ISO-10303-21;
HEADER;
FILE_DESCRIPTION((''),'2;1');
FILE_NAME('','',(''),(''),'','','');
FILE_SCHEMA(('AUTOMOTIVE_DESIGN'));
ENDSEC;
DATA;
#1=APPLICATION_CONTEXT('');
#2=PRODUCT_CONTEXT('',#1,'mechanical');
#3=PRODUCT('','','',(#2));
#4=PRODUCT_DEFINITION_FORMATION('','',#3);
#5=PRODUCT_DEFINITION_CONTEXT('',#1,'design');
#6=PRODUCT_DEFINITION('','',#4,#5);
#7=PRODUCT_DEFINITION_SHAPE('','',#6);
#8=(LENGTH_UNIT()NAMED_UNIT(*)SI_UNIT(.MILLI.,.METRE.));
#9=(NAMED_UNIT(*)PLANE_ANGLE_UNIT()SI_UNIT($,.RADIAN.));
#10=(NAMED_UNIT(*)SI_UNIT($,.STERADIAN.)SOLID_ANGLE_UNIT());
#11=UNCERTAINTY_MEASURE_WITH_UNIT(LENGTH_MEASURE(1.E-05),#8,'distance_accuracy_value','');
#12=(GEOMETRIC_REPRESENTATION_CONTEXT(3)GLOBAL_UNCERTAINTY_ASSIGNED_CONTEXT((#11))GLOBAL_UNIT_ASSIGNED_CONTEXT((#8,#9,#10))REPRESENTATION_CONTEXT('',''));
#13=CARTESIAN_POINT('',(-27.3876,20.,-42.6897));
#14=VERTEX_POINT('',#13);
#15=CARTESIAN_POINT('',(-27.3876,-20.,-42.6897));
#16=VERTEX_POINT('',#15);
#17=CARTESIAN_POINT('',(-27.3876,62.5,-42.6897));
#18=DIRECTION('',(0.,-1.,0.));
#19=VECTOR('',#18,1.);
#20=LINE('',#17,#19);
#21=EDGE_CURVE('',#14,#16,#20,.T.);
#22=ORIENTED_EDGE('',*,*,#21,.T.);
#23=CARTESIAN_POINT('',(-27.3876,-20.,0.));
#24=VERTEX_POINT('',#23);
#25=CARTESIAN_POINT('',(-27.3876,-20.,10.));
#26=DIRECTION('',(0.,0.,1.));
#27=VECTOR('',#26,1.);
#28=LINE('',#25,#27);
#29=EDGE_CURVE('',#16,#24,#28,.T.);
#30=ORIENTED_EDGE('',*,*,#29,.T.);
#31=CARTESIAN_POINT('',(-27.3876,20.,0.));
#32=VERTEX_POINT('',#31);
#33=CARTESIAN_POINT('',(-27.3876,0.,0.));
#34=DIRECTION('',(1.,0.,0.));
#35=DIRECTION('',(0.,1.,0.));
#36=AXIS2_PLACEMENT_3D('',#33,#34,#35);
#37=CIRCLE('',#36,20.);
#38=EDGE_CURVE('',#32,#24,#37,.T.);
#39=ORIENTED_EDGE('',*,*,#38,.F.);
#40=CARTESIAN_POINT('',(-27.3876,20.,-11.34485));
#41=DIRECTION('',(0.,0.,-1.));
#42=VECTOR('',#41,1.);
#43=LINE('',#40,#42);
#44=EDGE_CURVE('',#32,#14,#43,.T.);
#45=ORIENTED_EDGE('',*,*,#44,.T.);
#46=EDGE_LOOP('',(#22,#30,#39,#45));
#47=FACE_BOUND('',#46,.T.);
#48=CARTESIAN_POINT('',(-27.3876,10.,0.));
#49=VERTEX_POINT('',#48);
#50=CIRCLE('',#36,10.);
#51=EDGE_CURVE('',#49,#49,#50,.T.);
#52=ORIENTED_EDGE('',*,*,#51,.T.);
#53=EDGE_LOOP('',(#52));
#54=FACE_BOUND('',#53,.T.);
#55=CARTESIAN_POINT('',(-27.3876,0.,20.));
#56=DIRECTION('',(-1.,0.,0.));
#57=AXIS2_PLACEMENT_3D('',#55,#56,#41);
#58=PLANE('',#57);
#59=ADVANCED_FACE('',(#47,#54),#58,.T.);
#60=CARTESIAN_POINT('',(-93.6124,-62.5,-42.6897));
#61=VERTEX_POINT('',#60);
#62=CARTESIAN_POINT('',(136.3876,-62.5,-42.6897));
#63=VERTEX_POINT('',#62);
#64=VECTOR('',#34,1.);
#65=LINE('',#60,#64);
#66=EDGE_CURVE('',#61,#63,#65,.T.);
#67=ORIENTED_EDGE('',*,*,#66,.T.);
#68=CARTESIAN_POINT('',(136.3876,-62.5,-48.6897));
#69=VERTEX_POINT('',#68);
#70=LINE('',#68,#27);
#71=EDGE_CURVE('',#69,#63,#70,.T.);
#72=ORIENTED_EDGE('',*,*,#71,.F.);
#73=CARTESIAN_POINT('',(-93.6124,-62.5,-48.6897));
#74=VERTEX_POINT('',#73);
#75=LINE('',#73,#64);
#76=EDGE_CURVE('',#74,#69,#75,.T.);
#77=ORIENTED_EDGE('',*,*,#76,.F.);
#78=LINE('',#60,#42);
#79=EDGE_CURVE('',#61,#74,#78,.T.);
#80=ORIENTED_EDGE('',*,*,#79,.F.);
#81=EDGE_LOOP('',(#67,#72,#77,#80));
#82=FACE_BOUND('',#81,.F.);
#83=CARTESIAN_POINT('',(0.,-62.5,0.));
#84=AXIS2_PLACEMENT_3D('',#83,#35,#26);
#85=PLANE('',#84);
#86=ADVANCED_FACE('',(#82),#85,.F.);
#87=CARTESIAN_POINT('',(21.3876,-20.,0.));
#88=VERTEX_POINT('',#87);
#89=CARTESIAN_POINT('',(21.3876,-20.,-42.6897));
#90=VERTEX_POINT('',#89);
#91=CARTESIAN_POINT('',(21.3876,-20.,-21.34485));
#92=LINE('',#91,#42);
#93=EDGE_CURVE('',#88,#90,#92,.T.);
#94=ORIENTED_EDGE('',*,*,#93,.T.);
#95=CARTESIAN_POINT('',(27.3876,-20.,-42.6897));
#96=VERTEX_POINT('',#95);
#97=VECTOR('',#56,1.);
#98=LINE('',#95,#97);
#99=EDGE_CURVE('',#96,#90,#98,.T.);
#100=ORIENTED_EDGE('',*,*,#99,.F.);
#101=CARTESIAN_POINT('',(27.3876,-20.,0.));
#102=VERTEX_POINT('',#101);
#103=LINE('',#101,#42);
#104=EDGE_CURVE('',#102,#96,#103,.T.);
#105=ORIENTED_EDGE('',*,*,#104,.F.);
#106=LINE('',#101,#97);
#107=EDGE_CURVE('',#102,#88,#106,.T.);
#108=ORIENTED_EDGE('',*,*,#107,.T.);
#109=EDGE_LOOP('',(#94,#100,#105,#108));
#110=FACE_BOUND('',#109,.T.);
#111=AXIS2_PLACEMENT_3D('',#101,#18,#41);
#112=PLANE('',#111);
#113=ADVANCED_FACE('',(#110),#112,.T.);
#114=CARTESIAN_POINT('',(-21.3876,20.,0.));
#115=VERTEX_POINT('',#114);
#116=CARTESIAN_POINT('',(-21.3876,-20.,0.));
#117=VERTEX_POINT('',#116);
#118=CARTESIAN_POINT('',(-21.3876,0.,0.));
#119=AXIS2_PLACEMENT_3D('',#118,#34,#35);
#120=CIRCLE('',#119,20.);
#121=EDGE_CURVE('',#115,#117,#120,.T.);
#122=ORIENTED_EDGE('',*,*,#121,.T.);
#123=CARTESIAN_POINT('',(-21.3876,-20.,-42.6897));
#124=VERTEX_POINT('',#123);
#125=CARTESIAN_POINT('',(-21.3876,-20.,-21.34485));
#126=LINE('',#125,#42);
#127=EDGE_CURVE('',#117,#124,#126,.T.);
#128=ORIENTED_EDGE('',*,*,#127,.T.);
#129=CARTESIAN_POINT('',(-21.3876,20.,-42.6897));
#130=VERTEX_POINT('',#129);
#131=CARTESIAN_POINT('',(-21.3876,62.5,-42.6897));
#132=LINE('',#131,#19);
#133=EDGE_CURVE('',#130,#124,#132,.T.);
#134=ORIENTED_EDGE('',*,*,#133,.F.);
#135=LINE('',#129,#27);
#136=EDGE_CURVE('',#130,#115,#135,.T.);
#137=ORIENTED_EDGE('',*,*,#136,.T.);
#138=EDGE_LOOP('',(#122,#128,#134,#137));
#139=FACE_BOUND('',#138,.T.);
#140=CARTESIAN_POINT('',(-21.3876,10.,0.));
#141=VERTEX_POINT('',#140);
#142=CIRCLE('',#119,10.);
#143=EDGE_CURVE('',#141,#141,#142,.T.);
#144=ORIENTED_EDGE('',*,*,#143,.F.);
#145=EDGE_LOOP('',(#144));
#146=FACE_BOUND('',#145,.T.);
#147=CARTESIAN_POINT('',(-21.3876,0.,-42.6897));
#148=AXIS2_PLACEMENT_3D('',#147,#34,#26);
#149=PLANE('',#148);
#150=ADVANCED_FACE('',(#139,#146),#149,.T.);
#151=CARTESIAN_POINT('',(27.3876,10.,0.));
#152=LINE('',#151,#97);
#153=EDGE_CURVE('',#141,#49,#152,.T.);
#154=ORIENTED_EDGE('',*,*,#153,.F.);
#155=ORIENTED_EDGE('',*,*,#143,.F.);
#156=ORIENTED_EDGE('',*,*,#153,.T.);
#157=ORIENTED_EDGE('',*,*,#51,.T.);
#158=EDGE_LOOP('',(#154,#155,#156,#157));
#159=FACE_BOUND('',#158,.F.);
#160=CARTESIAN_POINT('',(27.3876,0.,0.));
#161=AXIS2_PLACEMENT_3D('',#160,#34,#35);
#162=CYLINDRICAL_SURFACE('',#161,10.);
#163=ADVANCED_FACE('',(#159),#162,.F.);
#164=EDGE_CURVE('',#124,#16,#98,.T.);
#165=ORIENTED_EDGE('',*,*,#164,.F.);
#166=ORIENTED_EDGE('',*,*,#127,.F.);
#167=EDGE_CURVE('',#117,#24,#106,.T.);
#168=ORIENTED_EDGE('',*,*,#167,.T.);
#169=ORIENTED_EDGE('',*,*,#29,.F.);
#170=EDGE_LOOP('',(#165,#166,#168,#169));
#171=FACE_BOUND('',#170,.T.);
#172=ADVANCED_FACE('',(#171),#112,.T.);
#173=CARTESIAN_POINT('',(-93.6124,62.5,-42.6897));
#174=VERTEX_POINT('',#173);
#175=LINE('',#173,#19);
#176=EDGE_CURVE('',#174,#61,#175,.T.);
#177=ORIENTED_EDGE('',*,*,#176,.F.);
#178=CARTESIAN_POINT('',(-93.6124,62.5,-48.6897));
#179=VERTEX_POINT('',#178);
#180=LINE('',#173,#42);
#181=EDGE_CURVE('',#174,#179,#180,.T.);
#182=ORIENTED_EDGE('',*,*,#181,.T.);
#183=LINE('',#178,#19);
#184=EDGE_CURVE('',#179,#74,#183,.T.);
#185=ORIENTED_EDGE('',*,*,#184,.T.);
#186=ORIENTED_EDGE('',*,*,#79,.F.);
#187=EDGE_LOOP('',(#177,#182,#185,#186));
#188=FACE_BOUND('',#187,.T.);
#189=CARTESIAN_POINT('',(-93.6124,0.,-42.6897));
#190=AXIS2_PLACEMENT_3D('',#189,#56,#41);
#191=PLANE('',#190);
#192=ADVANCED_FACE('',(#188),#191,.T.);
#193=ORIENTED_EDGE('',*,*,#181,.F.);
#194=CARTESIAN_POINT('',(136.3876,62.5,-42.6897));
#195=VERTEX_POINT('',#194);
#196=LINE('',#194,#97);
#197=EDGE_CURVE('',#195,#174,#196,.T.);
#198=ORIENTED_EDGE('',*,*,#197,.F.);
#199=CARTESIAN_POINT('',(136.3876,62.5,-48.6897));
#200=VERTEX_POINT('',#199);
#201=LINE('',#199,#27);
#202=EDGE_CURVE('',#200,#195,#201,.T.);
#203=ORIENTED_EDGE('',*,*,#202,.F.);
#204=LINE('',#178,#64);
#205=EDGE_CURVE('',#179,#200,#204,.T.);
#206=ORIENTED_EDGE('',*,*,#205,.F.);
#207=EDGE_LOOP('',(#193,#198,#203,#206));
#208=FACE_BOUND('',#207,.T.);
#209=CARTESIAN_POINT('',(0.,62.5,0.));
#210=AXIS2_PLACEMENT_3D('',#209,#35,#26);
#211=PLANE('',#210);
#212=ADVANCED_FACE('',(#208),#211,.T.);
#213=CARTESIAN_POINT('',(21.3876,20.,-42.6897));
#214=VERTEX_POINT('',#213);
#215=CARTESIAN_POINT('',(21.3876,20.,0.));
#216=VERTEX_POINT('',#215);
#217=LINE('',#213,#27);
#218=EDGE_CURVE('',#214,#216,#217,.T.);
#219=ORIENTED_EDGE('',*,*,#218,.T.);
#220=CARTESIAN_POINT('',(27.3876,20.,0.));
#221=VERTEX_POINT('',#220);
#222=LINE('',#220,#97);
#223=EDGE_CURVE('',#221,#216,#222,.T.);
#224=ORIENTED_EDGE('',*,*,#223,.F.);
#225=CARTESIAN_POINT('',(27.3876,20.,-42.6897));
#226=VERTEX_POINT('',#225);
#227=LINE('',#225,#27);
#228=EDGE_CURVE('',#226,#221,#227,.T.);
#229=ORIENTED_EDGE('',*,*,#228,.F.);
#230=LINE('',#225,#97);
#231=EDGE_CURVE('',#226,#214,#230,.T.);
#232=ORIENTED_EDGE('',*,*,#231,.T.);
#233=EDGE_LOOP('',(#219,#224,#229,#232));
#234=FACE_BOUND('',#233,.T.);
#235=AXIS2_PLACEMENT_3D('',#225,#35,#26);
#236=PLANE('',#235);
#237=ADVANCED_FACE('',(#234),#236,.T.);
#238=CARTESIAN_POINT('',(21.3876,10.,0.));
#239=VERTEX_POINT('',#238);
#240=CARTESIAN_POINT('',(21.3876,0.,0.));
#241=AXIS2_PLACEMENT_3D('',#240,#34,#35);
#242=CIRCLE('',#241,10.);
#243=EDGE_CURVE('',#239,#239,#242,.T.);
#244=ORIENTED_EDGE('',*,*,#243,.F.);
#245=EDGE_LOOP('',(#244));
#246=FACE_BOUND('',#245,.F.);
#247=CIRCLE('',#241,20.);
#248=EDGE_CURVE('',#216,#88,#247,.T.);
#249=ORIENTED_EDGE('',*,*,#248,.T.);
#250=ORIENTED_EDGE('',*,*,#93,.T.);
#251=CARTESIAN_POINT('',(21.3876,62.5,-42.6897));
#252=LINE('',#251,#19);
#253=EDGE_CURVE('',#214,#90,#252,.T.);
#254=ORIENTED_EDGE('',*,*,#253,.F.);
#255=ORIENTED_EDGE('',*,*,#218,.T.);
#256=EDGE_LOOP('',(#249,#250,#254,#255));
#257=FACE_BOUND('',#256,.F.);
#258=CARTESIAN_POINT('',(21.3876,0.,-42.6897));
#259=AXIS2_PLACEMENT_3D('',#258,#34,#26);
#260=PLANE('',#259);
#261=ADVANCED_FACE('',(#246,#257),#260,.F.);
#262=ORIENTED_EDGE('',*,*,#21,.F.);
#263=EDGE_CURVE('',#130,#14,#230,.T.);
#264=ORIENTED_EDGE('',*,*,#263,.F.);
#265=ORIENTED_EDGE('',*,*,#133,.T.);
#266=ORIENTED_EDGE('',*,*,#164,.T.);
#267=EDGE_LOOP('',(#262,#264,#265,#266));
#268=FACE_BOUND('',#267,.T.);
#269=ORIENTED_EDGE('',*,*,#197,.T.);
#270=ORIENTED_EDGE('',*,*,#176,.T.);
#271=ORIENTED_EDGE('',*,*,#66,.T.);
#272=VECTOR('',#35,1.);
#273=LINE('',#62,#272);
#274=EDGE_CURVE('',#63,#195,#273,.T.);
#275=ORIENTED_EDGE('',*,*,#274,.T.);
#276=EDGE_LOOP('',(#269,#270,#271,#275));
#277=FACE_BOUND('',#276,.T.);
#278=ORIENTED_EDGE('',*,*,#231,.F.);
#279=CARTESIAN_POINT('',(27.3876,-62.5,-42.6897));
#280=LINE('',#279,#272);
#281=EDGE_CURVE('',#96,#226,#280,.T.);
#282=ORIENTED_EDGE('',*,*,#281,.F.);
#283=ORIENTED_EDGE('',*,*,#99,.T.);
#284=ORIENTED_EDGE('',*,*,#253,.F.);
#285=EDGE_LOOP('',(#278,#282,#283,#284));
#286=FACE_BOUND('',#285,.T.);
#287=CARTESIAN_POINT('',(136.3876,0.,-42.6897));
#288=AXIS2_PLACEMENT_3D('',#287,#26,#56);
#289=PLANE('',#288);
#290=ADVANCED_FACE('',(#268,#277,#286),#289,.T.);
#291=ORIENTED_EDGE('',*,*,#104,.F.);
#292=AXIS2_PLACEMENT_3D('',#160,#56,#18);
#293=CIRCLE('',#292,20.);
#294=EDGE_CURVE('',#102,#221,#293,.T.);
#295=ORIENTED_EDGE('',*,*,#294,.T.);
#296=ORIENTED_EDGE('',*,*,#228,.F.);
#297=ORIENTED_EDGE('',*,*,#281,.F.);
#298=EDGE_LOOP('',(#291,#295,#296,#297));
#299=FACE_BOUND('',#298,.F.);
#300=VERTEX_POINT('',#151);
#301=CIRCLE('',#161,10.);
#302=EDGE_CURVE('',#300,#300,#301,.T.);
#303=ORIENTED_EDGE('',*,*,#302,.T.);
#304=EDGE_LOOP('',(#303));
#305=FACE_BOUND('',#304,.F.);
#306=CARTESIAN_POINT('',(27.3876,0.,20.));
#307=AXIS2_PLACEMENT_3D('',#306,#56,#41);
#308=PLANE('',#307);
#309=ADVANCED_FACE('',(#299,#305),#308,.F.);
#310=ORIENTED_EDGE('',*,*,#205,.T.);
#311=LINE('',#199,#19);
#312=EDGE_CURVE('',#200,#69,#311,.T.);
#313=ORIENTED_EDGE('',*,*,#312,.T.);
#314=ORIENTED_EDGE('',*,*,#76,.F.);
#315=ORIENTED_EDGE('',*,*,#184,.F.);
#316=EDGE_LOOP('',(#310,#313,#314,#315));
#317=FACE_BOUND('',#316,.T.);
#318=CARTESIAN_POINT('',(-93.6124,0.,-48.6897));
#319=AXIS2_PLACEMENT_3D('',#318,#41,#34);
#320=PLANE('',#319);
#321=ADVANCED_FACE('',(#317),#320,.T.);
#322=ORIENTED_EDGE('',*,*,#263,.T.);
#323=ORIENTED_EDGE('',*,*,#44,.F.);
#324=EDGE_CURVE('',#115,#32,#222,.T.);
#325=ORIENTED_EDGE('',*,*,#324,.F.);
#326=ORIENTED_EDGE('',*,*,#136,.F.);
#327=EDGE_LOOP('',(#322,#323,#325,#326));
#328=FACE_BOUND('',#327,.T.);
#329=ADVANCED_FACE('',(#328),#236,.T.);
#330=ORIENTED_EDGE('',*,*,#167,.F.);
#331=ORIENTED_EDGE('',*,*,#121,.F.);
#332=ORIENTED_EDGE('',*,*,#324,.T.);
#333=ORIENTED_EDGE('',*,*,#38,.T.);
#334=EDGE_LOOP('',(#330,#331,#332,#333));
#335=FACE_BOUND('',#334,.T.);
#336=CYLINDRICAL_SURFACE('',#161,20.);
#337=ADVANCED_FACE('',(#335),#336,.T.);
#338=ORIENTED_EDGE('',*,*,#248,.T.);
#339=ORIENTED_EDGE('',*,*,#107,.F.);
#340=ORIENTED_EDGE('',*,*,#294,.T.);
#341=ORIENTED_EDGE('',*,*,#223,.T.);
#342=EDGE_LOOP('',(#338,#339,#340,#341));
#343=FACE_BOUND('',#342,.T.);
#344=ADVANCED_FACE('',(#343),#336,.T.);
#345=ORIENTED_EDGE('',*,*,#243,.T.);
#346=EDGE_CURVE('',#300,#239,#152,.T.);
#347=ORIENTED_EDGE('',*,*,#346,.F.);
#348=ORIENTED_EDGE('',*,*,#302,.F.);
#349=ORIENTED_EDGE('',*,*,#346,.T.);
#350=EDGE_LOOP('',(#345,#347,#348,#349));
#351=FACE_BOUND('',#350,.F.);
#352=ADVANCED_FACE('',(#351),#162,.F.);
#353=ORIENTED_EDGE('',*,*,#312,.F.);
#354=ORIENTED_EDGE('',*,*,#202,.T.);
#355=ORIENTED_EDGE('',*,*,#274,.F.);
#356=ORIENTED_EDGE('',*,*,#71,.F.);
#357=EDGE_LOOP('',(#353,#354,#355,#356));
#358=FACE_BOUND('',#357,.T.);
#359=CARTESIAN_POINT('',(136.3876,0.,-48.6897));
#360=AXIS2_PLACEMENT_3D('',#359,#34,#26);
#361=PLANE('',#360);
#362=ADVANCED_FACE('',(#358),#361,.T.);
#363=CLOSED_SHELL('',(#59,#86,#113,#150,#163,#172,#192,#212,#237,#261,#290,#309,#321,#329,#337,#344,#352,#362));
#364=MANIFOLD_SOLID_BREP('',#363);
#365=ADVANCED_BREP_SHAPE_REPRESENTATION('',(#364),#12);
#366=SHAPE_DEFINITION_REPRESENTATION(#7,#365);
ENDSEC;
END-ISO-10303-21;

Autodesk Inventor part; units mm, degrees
ref_plane "YZ Plane" through (0, 0, 0) normal (1, 0, 0) x (0, 1, 0)
ref_plane "XZ Plane" through (0, 0, 0) normal (0, 1, 0) x (-1, 0, 0)
ref_plane "XY Plane" through (0, 0, 0) normal (0, 0, 1) x (1, 0, 0)
sketch "Sketch2" plane through (0, 0, 0) normal (1, 0, 0) x (0, 1, 0)
  line L0 (20, 27.3876) -> (-42.6897, 27.3876)
  line L1 (-42.6897, 21.3876) -> (20, 21.3876)
  line L2 (20, 21.3876) -> (20, 27.3876)
  line L3 (-42.6897, -21.3876) -> (20, -21.3876)
  line L4 (20, -21.3876) -> (20, -27.3876)
  line L5 (20, -27.3876) -> (-42.6897, -27.3876)
  line L6 (-42.6897, -93.6124) -> (-48.6897, -93.6124)
  line L7 (-48.6897, -93.6124) -> (-48.6897, 136.3876)
  line L8 (-48.6897, 136.3876) -> (-42.6897, 136.3876)
  line L9 (-42.6897, 136.3876) -> (-42.6897, 27.3876)
  line L10 (-42.6897, 21.3876) -> (-42.6897, -21.3876)
  line L11 (-42.6897, -27.3876) -> (-42.6897, -93.6124)
  point P0 (0, 0)
  dimension "d3" = 6
  dimension "d5" = 48.6897
  dimension "d6" = 136.3876
  dimension "d7" = 93.6124
  dimension "d9" = 27.3876
  dimension "d10" = 27.3876
  dimension "d11" = 20
extrude "Extrusion1" add sketch "Sketch2" along normal mid plane 125
sketch "Sketch3" plane through (-62.5, -42.6897, 27.3876) normal (0, 0, 1) x (1, 0, 0)
  circle A0 centre (62.5, 42.6897) radius 10
  dimension "d14" = 20
extrude "Extrusion2" cut sketch "Sketch3" against normal through all
sketch "Sketch4" plane through (-62.5, -42.6897, 27.3876) normal (0, 0, 1) x (1, 0, 0)
  circle A0 centre (62.5, 42.6897) radius 10 projected
  line L0 (0, 0) -> (125, 0) projected
  line L1 (125, 62.6897) -> (125, 0) projected
  line L2 (125, 62.6897) -> (0, 62.6897) projected
  line L3 (0, 0) -> (0, 62.6897) projected
  arc A1 (82.5, 42.6897) -> (42.5, 42.6897) centre (62.5, 42.6897) ccw
  line L4 (42.5, 42.6897) -> (42.5, 0)
  line L5 (82.5, 0) -> (82.5, 42.6897)
extrude "Extrusion3" cut sketch "Sketch4" against normal through all contours L3 L2 A1 L4 L0 | L5 A1 L2 L1 L0
move or copy body "Move Body1" bodies to move or copy 1 copy no rotation origin (0, 0, 0) rotation axis (1, 0, 0) rotation angle 90
move or copy body "Move Body2" bodies to move or copy 1 copy no rotation origin (0, 0, 0) rotation axis (0, 0, 1) rotation angle 90
properties part number "Foot"
